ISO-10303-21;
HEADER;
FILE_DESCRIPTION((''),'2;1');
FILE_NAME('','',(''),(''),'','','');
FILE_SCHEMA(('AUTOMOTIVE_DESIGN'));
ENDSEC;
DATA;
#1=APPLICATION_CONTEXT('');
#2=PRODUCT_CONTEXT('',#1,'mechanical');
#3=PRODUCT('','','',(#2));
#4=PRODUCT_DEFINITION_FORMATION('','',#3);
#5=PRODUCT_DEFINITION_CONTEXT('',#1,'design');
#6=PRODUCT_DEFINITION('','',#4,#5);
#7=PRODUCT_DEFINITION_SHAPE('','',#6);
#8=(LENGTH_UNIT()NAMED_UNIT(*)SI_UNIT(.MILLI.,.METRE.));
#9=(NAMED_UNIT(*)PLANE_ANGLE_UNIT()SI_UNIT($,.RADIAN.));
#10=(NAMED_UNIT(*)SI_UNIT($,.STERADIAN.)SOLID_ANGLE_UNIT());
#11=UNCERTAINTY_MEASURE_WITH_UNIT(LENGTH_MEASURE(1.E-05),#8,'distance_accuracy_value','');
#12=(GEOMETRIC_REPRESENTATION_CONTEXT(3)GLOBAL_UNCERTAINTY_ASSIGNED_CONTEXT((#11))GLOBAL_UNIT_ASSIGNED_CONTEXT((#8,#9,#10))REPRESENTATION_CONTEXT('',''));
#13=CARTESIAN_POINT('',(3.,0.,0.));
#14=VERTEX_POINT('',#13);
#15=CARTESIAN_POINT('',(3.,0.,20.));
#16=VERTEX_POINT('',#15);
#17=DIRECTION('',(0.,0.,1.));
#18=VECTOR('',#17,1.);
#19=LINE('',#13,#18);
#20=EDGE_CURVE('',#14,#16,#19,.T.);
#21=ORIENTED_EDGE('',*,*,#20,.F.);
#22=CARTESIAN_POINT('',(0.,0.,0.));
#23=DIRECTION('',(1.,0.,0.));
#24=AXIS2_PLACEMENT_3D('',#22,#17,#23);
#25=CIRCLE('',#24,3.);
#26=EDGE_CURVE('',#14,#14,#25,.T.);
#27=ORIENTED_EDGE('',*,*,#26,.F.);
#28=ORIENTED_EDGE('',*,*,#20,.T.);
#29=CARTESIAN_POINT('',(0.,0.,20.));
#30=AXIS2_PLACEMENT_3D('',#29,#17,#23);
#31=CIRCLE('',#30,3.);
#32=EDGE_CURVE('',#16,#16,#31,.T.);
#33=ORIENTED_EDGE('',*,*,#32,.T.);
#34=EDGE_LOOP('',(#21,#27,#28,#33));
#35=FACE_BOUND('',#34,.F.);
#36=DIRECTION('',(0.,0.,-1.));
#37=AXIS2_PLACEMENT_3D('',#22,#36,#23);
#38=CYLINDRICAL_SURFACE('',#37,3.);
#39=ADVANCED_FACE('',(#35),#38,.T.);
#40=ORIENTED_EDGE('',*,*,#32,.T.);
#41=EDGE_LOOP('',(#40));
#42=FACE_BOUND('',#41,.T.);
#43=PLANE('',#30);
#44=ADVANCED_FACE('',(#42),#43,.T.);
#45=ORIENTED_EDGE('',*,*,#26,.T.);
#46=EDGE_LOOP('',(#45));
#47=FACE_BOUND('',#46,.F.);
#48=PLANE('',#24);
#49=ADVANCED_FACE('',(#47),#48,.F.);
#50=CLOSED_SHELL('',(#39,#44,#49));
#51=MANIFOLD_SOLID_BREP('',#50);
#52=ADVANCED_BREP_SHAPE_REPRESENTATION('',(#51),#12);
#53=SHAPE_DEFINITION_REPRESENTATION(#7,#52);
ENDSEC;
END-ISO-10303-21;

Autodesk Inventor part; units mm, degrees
ref_plane "YZ Plane" through (0, 0, 0) normal (1, 0, 0) x (0, 1, 0)
ref_plane "XZ Plane" through (0, 0, 0) normal (0, 1, 0) x (-1, 0, 0)
ref_plane "XY Plane" through (0, 0, 0) normal (0, 0, 1) x (1, 0, 0)
sketch "Sketch1" plane through (0, 0, 0) normal (0, 0, 1) x (1, 0, 0)
  circle A0 centre (0, 0) radius 3
  dimension "d0" = 6
extrude "Extrusion1" add sketch "Sketch1" along normal blind 20
equation "\"d0\" = cabel_roller_ID"
equation "\"d1\" = outer_carriage_width"
equation "\"cabel_roller_ID\" = 6"
equation "\"outer_carriage_width\" = 20"
properties part number "outer_carriage_wire_rod"
